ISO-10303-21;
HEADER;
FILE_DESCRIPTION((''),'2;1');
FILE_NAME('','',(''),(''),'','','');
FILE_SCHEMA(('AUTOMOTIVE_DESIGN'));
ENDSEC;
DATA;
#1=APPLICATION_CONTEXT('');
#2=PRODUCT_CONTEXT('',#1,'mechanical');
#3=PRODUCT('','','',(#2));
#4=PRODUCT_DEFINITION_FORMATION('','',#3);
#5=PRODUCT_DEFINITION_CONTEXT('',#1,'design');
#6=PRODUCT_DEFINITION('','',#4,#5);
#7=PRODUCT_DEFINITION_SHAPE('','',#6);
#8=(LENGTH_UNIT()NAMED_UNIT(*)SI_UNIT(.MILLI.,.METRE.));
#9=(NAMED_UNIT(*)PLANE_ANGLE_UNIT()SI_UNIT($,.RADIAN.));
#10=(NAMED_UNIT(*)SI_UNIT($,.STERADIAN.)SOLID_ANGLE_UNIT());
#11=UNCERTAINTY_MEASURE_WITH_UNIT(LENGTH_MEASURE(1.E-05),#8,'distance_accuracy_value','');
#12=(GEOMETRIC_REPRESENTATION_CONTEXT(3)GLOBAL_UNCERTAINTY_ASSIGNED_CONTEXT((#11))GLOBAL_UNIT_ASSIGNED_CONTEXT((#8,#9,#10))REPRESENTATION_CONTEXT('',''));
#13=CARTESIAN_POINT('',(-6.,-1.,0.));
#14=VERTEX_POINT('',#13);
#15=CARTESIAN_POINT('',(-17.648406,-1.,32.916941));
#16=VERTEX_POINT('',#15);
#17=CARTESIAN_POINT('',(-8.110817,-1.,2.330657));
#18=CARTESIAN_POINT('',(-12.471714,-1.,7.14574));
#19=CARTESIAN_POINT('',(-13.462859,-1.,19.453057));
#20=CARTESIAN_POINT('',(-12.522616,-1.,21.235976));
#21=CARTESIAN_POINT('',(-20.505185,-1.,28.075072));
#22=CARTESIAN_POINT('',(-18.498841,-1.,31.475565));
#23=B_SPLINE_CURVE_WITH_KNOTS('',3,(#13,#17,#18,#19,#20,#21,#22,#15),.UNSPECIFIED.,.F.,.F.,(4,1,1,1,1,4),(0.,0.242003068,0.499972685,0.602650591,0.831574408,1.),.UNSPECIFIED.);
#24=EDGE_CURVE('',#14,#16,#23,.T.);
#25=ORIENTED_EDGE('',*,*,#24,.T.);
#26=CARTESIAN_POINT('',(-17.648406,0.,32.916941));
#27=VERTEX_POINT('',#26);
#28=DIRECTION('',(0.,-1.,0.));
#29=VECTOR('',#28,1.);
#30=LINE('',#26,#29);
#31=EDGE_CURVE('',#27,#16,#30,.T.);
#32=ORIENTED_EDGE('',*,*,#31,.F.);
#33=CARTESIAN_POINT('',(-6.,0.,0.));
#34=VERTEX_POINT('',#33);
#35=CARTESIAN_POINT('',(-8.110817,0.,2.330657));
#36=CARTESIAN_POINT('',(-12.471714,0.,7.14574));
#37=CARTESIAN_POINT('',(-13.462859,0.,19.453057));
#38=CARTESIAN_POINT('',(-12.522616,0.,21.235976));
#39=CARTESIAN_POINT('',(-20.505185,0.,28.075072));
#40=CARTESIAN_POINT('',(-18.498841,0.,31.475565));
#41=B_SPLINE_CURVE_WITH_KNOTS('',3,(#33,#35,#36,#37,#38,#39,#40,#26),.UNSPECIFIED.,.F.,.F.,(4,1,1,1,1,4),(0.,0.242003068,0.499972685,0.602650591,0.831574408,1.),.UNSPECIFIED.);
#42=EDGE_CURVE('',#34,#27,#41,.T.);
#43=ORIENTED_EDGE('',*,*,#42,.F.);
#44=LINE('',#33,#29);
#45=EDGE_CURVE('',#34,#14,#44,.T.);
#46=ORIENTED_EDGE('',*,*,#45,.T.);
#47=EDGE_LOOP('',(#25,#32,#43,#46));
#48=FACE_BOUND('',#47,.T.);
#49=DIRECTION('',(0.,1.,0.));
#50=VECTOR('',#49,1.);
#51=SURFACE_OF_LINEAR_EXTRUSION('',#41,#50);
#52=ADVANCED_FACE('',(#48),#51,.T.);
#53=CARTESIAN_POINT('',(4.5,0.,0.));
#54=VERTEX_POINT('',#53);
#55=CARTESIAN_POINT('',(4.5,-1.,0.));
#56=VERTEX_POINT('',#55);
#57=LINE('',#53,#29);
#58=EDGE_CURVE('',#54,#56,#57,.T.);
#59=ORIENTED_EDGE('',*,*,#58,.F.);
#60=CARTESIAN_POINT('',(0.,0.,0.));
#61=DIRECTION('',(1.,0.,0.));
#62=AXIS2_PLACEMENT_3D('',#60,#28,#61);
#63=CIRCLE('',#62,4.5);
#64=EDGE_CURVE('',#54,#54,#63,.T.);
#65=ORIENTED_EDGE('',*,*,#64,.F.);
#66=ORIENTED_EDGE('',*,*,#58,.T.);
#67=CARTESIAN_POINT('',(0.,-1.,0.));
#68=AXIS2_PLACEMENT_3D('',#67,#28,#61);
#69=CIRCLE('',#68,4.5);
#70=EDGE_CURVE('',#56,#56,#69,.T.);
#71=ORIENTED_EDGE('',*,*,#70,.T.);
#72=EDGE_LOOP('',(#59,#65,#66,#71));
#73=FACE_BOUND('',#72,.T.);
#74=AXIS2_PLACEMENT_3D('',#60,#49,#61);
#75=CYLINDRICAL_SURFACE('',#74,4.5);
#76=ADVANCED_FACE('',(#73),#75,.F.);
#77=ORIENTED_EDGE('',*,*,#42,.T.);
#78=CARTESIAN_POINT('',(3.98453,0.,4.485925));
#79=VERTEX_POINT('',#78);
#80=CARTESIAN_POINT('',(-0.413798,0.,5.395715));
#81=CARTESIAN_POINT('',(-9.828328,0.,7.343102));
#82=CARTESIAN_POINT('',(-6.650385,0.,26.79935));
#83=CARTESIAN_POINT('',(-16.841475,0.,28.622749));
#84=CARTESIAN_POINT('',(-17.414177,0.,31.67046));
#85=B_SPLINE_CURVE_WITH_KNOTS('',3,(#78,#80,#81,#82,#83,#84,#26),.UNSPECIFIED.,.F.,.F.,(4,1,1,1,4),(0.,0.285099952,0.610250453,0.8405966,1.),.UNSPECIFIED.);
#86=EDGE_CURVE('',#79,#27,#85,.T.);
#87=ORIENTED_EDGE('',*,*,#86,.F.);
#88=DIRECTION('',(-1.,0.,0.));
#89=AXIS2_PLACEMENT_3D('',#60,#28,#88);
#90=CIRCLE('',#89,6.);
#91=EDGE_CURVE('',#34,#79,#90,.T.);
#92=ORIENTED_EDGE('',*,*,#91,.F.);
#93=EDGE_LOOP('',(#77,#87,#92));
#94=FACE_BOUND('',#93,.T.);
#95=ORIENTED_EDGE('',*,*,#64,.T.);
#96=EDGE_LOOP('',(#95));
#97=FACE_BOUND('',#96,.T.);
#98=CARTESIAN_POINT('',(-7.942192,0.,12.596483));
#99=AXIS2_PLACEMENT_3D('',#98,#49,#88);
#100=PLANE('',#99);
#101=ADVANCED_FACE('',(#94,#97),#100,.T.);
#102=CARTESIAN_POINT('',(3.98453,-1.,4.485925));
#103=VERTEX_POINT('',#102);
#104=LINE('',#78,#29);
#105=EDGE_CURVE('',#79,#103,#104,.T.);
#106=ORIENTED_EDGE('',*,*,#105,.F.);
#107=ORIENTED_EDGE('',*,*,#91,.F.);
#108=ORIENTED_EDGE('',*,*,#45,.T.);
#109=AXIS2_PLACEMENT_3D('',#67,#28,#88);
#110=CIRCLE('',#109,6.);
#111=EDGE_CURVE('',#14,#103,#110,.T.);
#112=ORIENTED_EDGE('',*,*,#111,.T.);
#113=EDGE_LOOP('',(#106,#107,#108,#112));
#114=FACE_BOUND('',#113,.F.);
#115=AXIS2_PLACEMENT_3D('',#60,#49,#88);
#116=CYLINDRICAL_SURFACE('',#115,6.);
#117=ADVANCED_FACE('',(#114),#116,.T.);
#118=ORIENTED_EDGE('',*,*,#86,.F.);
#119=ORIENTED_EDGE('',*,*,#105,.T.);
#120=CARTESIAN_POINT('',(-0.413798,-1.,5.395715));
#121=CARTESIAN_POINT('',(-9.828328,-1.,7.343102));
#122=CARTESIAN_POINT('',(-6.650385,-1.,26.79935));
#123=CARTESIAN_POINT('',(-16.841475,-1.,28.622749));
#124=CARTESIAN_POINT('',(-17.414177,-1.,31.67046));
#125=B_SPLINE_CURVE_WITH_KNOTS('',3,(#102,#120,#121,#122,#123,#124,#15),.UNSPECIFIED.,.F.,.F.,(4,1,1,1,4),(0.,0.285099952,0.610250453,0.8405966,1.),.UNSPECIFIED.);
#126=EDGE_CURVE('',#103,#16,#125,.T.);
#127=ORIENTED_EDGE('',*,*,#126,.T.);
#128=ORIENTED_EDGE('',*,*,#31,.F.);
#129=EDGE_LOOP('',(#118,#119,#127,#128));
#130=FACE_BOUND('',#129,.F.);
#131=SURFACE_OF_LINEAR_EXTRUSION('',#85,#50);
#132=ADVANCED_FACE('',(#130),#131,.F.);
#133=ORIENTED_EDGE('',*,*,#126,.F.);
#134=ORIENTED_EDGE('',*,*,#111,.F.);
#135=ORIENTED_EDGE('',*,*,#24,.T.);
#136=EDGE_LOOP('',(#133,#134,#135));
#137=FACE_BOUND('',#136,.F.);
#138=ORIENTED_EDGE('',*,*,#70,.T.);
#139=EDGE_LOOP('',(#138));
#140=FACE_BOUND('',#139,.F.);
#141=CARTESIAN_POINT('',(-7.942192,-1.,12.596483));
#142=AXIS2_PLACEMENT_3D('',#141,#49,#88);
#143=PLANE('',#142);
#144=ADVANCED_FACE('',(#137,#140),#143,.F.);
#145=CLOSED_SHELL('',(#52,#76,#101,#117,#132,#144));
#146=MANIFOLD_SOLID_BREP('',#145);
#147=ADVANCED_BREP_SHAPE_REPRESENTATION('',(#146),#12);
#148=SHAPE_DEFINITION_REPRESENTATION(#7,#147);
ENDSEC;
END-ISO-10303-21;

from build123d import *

# Parameters (mm, degrees)
F0_R     = 4.5
F1_DEPTH = 1


with BuildPart() as f1:
    # F0 (on Front) → F1 (new body)
    with BuildSketch(Plane.XZ):
        with BuildLine():
            add(Edge.make_bspline(
                [(-6, 0), (-8.1108165519, 2.3306570595), (-12.4717142392, 7.1457400998), (-13.462858605, 19.4530571728), (-12.5226162196, 21.2359755001), (-20.5051846507, 28.0750720524), (-18.4988408263, 31.4755645848), (-17.6484063268, 32.9169407487)],
                knots=[0, 0, 0, 0, 0.2420030677, 0.4999726847, 0.6026505912, 0.8315744084, 1, 1, 1, 1], degree=3))
            ThreePointArc((-6, 0), (2.458944875, -5.4729873106), (3.9845300338, 4.4859246995))
            add(Edge.make_bspline(
                [(3.9845300338, 4.4859246995), (-0.4137984899, 5.395715096), (-9.8283282397, 7.3431023154), (-6.6503846277, 26.7993496968), (-16.841475017, 28.6227490692), (-17.4141772384, 31.6704596785), (-17.6484063268, 32.9169407487)],
                knots=[0, 0, 0, 0, 0.2850999515, 0.6102504532, 0.8405966004, 1, 1, 1, 1], degree=3))
        make_face()
        Circle(F0_R, mode=Mode.SUBTRACT)
    extrude(amount=F1_DEPTH)


solid = f1.part
